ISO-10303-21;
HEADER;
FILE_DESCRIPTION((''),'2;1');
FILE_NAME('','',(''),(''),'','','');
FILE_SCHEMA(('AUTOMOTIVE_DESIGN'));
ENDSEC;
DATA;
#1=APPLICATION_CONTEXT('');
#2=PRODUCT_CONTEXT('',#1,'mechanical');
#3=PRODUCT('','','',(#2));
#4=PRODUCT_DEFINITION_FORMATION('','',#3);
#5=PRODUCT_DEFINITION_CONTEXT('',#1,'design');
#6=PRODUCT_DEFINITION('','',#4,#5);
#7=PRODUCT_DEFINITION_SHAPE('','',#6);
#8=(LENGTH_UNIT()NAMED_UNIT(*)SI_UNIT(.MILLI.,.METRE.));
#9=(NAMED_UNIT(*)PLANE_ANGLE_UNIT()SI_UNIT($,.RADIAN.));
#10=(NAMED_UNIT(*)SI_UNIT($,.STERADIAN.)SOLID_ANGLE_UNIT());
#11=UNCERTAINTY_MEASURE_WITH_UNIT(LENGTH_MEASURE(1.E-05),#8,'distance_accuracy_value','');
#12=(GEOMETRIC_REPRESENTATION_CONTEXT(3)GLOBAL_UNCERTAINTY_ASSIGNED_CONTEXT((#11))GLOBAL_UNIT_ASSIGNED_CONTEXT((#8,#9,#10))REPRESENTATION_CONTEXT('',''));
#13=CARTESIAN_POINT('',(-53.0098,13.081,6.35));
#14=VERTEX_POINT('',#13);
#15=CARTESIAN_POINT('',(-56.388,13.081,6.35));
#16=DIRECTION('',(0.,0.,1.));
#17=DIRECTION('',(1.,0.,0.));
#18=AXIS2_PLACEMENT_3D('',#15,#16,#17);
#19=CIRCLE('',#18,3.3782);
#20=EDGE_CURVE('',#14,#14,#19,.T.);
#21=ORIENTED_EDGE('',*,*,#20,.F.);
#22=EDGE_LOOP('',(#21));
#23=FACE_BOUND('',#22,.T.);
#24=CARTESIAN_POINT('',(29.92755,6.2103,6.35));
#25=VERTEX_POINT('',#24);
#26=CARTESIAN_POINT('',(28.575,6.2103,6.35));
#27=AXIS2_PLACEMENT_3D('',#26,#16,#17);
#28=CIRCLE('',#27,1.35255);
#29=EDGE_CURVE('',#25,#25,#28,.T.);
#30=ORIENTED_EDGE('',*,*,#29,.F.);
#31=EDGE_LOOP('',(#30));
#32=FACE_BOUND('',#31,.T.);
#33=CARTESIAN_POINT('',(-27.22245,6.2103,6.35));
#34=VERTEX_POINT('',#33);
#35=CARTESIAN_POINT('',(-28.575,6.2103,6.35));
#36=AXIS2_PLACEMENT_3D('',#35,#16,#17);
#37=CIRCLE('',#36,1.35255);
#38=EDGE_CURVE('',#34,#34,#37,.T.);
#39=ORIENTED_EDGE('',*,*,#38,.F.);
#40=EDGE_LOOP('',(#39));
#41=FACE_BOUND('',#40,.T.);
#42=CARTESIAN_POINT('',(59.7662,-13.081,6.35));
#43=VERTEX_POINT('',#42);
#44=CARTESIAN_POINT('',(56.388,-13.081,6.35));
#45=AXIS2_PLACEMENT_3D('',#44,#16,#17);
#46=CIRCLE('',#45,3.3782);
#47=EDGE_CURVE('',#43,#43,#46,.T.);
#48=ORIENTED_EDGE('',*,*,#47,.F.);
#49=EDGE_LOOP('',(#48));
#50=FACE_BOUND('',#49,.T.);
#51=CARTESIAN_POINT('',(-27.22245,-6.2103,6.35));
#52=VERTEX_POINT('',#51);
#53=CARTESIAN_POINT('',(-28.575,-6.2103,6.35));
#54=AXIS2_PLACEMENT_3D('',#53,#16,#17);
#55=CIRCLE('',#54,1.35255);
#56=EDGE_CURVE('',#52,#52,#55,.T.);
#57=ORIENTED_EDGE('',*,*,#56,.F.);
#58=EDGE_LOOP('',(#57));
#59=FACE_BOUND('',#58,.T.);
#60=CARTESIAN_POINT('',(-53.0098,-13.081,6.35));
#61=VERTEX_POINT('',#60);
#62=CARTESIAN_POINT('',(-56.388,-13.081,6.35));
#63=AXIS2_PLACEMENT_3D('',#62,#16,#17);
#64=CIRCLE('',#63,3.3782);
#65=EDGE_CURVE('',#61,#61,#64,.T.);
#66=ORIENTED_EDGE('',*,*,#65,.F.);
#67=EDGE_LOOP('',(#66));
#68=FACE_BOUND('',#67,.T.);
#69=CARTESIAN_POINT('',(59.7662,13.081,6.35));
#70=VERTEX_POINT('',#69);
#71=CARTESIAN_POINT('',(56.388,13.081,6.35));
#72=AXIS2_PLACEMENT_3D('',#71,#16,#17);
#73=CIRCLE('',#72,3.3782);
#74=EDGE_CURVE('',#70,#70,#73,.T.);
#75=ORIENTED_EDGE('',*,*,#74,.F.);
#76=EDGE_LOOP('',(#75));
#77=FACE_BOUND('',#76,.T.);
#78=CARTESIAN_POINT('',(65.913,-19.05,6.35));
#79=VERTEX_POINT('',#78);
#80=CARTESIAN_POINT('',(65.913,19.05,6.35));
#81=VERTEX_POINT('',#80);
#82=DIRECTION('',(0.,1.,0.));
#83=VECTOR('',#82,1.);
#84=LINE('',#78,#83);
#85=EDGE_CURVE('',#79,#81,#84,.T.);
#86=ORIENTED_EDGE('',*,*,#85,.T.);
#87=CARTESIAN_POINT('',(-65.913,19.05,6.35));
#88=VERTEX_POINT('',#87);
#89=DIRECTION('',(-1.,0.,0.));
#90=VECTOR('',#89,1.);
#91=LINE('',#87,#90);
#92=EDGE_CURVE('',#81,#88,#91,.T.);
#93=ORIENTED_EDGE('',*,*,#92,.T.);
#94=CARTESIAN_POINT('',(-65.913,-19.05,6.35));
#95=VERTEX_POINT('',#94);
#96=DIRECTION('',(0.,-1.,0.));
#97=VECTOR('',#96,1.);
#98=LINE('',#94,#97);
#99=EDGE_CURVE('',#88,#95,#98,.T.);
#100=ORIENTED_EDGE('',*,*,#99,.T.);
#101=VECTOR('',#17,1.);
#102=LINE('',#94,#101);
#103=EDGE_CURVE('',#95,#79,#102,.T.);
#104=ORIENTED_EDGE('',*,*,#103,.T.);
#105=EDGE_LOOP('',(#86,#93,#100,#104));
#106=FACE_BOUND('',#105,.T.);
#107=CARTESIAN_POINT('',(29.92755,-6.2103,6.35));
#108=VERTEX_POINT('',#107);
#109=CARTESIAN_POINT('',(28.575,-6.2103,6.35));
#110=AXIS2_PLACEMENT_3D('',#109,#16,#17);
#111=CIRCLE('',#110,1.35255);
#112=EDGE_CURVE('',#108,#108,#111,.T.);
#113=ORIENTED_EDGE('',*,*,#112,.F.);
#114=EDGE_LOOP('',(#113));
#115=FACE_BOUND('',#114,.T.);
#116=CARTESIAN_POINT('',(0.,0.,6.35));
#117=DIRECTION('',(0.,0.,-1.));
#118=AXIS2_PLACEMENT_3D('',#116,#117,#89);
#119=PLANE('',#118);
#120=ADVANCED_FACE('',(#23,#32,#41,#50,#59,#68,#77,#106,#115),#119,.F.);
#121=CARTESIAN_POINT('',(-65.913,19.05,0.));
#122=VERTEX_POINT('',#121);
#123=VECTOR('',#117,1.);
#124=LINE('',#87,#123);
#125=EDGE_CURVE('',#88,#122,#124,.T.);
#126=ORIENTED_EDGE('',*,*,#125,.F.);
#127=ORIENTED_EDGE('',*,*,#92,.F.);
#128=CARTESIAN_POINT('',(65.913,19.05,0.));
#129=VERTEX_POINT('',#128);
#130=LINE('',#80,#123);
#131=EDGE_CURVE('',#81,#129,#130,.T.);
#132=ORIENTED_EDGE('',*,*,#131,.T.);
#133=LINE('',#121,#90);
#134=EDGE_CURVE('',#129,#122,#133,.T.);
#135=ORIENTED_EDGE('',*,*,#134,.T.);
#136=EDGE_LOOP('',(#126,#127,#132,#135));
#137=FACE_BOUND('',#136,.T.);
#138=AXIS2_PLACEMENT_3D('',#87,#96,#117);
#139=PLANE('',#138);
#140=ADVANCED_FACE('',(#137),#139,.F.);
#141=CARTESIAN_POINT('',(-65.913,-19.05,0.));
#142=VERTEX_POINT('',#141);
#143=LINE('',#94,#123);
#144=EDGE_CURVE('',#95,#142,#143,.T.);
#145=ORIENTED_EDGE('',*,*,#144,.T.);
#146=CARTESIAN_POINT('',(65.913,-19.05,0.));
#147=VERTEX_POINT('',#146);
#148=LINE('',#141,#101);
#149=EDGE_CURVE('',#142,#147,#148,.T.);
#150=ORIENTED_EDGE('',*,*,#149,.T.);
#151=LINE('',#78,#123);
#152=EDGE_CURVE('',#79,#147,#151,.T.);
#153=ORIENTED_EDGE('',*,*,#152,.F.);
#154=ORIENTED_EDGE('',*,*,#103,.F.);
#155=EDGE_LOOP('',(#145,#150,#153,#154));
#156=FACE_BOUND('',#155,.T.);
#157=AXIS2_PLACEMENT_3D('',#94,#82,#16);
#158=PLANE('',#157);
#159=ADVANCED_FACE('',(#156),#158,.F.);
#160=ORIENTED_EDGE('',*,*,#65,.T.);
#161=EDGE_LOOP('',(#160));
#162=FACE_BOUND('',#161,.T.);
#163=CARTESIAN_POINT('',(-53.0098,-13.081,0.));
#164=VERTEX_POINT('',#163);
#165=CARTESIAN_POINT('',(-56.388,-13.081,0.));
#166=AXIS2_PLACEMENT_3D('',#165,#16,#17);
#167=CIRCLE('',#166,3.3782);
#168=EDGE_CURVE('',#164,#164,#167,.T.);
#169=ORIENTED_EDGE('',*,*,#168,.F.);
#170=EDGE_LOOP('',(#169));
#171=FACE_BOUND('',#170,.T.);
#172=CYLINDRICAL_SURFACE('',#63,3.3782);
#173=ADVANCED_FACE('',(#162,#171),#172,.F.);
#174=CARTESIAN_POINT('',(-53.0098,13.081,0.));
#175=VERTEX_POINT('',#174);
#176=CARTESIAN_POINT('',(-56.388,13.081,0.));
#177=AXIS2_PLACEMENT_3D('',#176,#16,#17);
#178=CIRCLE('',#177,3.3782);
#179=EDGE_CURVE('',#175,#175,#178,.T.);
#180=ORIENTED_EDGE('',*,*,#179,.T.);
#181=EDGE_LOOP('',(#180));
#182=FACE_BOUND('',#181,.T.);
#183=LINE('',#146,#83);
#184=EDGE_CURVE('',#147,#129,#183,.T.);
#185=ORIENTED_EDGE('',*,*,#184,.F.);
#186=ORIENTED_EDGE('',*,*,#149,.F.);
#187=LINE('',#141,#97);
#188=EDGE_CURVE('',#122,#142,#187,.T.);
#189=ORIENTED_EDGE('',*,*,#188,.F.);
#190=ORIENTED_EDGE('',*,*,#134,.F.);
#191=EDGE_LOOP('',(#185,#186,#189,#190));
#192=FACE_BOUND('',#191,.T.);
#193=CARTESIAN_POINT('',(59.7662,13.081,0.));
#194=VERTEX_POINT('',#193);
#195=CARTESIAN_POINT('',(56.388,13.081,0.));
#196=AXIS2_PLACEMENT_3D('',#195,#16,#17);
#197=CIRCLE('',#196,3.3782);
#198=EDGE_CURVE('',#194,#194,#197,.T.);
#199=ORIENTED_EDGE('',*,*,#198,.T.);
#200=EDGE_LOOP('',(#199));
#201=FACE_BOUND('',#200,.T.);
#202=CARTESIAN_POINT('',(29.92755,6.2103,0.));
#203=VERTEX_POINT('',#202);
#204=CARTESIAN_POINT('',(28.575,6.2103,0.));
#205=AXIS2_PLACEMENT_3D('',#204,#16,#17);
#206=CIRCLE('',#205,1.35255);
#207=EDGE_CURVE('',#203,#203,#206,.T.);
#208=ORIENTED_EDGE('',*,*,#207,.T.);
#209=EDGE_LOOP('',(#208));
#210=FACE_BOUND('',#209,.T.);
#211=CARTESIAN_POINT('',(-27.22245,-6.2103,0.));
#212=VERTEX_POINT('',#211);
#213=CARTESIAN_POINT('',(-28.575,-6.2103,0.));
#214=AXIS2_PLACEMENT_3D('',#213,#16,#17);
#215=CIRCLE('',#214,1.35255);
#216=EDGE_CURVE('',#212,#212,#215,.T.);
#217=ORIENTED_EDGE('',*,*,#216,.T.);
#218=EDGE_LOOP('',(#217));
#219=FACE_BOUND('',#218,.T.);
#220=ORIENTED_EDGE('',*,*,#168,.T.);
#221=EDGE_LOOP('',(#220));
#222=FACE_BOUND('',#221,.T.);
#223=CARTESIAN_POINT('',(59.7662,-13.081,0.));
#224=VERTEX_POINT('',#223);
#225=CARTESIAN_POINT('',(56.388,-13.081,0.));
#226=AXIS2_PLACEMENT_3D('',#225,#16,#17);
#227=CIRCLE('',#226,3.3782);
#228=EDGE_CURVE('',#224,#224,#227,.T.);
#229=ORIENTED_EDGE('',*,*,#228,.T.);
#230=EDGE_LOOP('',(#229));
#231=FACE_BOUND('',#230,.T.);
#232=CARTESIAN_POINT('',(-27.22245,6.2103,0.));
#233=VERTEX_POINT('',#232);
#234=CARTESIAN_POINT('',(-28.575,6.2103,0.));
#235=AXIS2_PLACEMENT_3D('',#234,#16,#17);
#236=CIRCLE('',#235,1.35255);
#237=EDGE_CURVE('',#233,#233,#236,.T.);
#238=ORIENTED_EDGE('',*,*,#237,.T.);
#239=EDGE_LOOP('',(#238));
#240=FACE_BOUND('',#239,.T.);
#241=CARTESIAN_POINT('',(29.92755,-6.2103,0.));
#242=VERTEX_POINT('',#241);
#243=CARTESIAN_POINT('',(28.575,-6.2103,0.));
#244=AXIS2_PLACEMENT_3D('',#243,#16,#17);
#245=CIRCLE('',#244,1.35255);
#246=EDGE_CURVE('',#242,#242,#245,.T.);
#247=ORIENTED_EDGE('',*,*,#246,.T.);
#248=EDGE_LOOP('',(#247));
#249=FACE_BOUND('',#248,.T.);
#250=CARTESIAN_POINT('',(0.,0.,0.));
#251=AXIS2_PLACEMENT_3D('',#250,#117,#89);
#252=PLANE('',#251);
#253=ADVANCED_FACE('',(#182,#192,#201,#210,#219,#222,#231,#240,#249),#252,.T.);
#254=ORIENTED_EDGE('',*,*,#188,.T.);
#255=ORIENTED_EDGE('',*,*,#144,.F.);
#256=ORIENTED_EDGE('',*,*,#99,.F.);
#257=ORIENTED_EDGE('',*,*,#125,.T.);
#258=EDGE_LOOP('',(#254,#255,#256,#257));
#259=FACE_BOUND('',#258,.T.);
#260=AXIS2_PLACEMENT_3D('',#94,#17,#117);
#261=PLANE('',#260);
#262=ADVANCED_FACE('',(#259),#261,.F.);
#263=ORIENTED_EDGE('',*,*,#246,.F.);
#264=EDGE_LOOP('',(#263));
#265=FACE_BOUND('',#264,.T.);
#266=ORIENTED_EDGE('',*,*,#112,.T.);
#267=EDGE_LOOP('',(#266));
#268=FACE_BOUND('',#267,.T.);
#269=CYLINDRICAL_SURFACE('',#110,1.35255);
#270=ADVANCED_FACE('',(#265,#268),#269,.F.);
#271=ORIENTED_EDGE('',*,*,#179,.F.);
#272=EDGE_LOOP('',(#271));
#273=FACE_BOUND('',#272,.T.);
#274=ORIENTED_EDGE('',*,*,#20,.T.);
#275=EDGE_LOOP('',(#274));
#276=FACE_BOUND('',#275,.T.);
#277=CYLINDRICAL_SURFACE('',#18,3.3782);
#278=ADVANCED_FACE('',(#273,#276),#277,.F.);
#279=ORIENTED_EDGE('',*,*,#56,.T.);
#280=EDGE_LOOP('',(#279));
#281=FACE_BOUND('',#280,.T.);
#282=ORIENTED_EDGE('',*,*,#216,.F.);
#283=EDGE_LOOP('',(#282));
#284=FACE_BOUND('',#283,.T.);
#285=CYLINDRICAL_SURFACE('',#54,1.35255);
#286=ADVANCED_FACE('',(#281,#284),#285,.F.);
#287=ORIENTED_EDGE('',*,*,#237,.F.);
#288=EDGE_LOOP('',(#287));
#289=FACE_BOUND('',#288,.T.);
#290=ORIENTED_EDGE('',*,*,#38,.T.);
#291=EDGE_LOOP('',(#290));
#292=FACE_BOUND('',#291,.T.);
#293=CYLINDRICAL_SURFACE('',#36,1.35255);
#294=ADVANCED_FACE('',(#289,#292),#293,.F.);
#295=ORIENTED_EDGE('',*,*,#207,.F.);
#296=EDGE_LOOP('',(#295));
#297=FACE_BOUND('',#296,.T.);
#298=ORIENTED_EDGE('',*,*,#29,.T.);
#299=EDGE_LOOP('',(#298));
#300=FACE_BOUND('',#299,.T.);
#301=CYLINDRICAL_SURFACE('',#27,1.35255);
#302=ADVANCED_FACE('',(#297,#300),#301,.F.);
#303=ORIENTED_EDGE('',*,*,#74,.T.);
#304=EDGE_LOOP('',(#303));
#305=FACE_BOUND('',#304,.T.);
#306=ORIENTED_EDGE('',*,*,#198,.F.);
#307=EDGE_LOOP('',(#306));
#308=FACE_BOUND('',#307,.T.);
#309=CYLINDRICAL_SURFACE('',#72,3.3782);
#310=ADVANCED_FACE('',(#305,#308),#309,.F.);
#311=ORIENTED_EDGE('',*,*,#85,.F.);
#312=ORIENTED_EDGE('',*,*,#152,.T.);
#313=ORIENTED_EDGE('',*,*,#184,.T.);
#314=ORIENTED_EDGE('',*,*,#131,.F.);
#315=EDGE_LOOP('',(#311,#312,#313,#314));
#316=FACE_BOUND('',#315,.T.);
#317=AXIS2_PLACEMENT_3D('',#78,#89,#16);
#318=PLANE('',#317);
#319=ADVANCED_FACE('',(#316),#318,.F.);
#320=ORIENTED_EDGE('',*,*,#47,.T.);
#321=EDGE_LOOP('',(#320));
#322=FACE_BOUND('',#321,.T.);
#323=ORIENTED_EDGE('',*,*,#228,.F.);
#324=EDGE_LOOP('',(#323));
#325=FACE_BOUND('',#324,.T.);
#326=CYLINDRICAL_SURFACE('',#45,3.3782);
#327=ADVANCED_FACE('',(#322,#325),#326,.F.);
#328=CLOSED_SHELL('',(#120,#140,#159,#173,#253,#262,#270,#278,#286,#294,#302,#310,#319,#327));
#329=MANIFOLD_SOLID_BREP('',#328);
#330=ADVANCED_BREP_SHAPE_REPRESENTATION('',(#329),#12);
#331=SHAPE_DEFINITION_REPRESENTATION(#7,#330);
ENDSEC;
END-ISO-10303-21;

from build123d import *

# Parameters (mm, degrees)
SKETCH1_W               = 131.826
SKETCH1_H               = 38.1
BOSS_EXTRUDE1_DEPTH     = 6.35
F_1_4_CLEARANCE_HOLE1_D = 6.7564
F_6_32_TAPPED_HOLE1_D   = 2.7051


with BuildPart() as part:
    # Sketch1 → Boss-Extrude1 (new body)
    with BuildSketch(Plane.XY):
        Rectangle(SKETCH1_W, SKETCH1_H)
    extrude(amount=BOSS_EXTRUDE1_DEPTH)

    # 1/4 Clearance Hole1 (through all)
    with Locations(Plane.XY.offset(6.35)):
        with Locations((-56.388, 13.081), (-56.388, -13.081)):
            f_1_4_clearance_hole1 = Hole(F_1_4_CLEARANCE_HOLE1_D / 2)

    # #6-32 Tapped Hole1 (through all)
    with Locations(Plane.XY.offset(6.35)):
        with Locations((-28.575, 6.2103), (-28.575, -6.2103)):
            f_6_32_tapped_hole1 = Hole(F_6_32_TAPPED_HOLE1_D / 2)

    # Mirror1: 1/4 Clearance Hole1, #6-32 Tapped Hole1 across plane
    add(f_1_4_clearance_hole1.mirror(Plane(origin=(0, 0, 0), x_dir=(0, 0, 1), z_dir=(1, 0, 0))), mode=Mode.SUBTRACT)
    add(f_6_32_tapped_hole1.mirror(Plane(origin=(0, 0, 0), x_dir=(0, 0, 1), z_dir=(1, 0, 0))), mode=Mode.SUBTRACT)


solid = part.part
